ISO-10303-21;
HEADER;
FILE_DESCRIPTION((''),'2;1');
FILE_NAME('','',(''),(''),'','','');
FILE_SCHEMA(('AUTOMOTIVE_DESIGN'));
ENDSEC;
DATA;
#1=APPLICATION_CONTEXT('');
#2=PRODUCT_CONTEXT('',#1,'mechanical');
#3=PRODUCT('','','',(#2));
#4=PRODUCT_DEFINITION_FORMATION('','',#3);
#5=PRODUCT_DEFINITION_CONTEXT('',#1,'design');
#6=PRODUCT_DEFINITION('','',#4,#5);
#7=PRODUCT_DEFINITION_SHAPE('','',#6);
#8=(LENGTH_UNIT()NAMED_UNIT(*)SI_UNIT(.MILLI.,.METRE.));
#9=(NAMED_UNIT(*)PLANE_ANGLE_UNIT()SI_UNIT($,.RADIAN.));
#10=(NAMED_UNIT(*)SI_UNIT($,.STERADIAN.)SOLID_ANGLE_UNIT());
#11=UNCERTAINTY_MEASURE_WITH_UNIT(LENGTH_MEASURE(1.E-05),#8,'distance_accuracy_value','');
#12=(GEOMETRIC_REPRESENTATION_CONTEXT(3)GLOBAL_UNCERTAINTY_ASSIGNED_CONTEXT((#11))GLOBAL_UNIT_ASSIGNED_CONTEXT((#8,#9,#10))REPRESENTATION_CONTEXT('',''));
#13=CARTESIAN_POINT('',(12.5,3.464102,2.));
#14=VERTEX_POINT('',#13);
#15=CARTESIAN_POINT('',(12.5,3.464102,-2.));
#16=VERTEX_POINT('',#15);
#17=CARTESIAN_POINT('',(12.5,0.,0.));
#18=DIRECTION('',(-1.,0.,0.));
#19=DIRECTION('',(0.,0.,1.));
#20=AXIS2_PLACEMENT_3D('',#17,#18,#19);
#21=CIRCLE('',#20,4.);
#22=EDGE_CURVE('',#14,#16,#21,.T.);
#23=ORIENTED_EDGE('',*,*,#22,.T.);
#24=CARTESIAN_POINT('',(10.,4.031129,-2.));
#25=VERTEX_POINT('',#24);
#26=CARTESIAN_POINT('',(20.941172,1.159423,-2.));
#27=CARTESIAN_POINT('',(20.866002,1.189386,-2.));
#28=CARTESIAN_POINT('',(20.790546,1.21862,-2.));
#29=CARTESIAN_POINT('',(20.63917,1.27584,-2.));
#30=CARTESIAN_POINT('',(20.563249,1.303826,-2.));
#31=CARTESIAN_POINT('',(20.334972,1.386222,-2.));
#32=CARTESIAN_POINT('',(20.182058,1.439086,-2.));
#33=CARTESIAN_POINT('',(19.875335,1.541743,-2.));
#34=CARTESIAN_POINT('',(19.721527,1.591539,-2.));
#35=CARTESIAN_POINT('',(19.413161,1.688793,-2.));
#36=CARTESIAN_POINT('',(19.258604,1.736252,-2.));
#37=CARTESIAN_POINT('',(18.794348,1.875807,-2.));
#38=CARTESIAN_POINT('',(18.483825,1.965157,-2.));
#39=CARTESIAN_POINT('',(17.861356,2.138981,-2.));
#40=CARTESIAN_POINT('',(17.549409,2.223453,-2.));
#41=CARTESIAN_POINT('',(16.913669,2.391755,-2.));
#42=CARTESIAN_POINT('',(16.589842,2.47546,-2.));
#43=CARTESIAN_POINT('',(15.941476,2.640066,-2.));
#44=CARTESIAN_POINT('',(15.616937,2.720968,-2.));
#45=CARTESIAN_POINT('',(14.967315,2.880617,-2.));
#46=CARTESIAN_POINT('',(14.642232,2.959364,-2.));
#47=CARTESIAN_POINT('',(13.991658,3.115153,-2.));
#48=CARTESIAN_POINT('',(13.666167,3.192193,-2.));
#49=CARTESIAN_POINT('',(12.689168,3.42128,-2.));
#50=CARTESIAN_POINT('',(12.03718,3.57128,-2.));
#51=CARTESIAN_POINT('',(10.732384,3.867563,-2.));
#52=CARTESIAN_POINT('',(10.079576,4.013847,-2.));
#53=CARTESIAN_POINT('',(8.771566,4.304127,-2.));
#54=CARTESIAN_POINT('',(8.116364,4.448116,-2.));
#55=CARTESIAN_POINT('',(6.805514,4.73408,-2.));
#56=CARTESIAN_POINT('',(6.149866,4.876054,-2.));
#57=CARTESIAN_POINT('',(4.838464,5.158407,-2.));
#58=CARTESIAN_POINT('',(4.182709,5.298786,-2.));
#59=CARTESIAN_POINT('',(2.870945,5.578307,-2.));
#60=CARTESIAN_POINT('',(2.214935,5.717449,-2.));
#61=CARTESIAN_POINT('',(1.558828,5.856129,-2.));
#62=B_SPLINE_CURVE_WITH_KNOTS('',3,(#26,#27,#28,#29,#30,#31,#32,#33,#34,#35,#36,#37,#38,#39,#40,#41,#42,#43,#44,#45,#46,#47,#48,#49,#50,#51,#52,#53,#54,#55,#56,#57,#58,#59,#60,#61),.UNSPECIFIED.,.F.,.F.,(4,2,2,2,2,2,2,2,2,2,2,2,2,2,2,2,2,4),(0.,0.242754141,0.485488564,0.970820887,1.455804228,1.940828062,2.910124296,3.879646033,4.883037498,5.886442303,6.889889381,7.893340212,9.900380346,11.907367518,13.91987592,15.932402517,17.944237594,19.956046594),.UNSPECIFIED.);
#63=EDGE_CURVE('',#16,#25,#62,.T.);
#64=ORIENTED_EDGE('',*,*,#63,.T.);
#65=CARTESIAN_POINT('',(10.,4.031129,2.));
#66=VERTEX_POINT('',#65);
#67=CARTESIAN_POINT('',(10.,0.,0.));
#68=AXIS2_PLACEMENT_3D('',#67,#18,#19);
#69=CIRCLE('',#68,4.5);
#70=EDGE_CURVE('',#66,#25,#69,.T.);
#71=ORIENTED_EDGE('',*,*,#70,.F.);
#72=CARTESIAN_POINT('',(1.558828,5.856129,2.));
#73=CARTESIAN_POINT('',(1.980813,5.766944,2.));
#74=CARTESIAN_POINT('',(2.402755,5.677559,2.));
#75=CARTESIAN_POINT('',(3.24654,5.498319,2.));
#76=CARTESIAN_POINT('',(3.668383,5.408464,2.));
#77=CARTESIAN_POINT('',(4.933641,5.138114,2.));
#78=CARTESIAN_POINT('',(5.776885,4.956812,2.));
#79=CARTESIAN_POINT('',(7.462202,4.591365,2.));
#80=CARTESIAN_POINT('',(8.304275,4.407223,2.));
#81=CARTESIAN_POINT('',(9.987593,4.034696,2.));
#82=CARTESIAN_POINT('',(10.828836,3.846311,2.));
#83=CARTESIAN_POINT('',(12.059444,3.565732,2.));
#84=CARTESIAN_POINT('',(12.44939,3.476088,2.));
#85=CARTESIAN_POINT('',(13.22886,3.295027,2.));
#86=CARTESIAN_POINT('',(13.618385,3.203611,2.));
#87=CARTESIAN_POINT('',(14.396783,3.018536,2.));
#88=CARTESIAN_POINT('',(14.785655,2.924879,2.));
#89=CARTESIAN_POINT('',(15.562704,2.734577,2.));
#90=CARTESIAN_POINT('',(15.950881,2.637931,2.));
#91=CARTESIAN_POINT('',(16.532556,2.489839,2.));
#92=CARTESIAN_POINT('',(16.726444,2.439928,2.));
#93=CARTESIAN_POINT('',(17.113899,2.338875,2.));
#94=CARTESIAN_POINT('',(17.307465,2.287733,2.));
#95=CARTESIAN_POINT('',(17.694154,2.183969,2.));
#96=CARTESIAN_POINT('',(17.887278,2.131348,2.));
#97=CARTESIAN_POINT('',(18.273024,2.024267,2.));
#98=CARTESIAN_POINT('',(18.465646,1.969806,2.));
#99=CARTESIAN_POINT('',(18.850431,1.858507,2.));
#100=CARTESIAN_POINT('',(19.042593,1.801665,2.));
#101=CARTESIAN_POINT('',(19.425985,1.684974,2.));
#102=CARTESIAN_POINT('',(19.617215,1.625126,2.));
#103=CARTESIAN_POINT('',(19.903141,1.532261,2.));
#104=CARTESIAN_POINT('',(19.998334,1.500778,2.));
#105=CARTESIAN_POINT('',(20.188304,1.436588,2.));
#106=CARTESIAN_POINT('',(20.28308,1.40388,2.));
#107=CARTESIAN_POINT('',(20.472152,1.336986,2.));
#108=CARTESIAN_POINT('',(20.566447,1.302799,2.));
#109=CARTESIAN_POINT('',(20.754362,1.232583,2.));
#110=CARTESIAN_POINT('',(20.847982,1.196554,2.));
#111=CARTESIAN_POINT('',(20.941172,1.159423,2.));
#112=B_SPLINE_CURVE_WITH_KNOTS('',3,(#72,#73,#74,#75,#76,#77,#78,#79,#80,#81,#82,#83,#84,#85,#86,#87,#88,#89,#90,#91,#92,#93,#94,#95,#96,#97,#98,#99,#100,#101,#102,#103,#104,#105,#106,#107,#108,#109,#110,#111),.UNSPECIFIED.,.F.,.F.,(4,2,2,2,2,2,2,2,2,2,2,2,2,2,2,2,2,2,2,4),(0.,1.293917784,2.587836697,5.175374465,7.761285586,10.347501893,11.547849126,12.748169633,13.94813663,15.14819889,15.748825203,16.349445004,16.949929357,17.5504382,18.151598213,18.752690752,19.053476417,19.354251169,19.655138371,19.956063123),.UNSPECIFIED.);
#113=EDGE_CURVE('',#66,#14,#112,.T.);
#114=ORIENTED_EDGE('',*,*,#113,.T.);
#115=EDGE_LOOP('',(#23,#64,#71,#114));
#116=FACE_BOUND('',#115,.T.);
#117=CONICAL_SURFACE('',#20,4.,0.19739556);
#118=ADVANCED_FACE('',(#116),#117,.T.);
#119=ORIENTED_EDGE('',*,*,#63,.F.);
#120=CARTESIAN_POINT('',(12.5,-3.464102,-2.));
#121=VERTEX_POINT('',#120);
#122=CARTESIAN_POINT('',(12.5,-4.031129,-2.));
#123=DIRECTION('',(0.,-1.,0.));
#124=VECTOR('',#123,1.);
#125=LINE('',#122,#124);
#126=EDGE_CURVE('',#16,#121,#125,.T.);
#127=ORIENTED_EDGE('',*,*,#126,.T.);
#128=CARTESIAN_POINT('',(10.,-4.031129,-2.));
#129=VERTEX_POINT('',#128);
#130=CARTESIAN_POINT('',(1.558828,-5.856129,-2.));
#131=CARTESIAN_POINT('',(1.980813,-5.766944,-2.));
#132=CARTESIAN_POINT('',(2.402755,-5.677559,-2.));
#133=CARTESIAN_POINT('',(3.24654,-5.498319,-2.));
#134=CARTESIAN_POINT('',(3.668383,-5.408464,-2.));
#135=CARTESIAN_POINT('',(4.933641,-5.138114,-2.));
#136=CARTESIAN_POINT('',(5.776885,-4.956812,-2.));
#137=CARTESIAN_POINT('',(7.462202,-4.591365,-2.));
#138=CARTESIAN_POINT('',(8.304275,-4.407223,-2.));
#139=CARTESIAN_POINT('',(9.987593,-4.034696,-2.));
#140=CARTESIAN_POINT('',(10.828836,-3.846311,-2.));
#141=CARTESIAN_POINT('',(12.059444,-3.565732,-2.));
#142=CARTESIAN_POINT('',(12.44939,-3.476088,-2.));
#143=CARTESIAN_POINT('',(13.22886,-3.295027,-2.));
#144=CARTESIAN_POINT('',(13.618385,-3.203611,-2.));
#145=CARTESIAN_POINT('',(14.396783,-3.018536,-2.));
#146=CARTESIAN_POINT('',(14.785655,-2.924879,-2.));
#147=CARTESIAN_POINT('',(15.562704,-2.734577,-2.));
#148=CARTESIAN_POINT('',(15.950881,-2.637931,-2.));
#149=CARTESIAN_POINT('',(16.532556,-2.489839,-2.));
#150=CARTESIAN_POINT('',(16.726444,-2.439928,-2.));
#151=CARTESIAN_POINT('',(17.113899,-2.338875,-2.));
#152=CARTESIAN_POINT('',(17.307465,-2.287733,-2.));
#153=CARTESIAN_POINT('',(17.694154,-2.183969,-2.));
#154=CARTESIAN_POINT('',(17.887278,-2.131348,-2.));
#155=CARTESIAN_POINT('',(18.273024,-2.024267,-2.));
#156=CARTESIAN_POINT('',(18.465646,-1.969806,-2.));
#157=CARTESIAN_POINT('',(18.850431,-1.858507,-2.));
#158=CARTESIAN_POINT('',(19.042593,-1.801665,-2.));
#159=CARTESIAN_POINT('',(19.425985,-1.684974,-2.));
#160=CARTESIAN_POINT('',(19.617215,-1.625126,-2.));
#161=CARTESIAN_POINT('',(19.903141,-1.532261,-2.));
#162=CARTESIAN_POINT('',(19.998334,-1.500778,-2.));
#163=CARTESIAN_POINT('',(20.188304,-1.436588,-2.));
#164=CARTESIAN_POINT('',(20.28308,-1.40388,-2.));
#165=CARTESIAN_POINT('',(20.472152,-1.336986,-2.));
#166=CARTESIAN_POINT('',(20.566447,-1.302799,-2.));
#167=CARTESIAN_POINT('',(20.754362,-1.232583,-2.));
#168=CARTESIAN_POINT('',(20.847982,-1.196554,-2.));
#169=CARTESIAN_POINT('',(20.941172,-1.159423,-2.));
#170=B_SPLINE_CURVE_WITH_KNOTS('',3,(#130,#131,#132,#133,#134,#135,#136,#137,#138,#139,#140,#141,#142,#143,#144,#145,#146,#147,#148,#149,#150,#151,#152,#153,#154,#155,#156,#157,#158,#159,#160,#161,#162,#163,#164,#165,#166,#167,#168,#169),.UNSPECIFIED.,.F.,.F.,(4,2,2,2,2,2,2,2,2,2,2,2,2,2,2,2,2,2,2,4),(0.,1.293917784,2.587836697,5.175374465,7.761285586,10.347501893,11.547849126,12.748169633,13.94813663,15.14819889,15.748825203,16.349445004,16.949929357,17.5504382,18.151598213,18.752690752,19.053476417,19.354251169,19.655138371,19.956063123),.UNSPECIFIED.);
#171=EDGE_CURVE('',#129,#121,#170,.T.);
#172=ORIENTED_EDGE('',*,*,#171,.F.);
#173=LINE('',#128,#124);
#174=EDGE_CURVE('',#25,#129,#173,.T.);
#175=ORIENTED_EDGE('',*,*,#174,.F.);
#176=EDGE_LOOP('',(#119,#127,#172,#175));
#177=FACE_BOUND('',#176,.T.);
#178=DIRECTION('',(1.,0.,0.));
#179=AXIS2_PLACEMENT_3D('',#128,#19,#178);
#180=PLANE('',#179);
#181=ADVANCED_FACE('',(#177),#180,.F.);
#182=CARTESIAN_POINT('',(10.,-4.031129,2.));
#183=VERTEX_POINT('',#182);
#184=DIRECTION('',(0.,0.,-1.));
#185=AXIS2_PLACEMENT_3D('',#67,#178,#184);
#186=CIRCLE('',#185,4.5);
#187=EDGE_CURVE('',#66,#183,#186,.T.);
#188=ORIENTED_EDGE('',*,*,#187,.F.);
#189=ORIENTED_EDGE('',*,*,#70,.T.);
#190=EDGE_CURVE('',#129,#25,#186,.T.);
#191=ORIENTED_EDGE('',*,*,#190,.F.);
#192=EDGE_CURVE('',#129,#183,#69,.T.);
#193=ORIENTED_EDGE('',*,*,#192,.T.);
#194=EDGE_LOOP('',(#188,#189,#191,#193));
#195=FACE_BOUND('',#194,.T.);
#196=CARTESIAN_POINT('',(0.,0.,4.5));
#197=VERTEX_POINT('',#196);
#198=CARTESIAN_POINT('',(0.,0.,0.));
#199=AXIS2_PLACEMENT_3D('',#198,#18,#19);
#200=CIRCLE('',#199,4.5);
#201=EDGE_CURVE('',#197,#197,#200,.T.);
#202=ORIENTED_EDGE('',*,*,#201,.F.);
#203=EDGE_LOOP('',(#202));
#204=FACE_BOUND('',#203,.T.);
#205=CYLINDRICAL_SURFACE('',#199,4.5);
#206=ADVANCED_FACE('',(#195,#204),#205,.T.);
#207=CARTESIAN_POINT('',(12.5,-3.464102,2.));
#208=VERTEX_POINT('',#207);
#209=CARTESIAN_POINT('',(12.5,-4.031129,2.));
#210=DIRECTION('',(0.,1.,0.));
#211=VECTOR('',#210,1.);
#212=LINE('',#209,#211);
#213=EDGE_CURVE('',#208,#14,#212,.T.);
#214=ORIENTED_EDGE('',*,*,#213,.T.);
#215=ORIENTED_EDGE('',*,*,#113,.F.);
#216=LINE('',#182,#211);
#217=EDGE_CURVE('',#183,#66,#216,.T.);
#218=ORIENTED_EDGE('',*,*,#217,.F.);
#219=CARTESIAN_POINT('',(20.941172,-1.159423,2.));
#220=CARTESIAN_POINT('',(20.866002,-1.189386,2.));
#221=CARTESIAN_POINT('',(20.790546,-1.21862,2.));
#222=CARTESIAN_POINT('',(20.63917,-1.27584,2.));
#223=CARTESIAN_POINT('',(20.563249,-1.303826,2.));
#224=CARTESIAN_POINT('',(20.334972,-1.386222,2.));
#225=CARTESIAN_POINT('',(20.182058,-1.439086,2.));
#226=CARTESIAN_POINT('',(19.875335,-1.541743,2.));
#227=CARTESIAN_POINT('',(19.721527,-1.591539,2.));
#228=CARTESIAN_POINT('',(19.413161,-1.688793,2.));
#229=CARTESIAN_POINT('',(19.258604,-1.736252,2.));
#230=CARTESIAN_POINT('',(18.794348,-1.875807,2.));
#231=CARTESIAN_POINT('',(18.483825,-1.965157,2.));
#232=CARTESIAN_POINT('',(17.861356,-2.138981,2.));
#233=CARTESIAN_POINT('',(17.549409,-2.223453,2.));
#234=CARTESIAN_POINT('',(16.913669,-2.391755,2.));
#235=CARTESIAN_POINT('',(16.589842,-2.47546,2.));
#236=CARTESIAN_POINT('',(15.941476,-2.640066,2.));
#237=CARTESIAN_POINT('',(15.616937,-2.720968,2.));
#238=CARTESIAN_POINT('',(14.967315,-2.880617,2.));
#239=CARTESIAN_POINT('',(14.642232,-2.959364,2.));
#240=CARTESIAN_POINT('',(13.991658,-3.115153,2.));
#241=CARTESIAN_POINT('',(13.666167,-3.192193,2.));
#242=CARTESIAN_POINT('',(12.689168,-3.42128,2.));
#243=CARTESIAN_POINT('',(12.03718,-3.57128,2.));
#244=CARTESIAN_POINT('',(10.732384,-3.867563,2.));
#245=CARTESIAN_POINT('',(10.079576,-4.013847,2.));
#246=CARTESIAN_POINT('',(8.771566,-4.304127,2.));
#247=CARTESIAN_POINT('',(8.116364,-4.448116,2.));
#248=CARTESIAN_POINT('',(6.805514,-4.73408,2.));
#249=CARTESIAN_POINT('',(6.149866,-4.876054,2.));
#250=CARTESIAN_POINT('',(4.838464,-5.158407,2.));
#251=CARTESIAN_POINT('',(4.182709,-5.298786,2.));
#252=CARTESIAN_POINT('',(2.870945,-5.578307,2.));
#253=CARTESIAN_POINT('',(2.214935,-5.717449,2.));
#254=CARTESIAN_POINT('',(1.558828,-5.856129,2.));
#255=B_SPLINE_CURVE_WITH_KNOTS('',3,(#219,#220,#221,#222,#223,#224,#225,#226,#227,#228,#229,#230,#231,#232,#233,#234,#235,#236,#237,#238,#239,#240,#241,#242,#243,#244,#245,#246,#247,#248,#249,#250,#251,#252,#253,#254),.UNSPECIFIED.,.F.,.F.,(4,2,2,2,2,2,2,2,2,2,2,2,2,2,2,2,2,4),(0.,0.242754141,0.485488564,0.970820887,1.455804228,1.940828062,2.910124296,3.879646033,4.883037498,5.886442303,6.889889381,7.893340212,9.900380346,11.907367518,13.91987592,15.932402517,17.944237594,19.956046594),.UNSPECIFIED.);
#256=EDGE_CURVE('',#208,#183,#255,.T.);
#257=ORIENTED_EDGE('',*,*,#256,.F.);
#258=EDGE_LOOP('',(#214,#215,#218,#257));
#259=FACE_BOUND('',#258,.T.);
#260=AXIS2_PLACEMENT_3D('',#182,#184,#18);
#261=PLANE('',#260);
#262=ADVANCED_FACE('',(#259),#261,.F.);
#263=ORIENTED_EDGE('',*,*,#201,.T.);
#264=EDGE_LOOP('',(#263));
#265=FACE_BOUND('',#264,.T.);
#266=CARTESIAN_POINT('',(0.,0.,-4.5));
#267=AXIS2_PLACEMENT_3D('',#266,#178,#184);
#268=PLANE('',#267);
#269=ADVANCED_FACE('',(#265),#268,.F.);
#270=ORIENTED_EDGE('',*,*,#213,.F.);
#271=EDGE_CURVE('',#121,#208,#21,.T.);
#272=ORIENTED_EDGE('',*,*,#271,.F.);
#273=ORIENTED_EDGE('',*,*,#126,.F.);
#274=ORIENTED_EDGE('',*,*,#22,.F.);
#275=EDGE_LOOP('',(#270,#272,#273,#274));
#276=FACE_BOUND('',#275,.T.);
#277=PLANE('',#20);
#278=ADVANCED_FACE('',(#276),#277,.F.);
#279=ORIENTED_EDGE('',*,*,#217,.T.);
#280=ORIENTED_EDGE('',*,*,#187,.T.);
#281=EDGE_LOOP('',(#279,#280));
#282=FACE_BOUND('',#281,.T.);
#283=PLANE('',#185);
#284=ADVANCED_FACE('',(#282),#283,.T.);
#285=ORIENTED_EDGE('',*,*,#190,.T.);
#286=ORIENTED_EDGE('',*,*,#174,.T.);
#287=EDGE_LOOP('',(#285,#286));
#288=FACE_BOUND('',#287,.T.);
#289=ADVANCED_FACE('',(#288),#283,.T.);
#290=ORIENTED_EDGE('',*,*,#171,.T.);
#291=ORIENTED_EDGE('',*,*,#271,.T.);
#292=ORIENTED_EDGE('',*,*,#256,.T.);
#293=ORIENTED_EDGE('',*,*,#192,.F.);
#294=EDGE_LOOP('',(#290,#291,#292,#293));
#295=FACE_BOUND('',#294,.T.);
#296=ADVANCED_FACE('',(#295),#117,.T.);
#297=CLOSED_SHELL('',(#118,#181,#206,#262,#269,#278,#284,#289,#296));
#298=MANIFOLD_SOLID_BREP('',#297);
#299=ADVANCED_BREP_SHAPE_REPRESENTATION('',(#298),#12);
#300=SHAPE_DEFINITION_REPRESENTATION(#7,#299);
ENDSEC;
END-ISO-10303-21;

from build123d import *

# Parameters (mm, degrees)
CUT_EXTRUDE1_DEPTH = 2.5


with BuildPart() as part:
    # Sketch1 → Revolve1 (revolve)
    with BuildSketch(Plane(origin=(0, 0, 0), x_dir=(1, 0, 0), z_dir=(0, 1, 0))):
        Polygon((0, 0), (12.5, 0), (12.5, 4), (10, 4.5), (0, 4.5), align=None)
    revolve(axis=Axis((0, 0, 0), (1, 0, 0)))

    # Sketch2 → Cut-Extrude1 (cut)
    with BuildSketch(Plane(origin=(12.5, 0, 0), x_dir=(0, 0, -1), z_dir=(1, 0, 0))):
        with BuildLine():
            Line((-2, -4.031128874), (-2, 4.031128874))
            ThreePointArc((-2, 4.031128874), (-4.5, 0), (-2, -4.031128874))
        make_face()
        with BuildLine():
            Line((2, -4.031128874), (2, 4.031128874))
            ThreePointArc((2, 4.031128874), (4.5, 0), (2, -4.031128874))
        make_face()
    extrude(amount=-CUT_EXTRUDE1_DEPTH, mode=Mode.SUBTRACT)


solid = part.part
